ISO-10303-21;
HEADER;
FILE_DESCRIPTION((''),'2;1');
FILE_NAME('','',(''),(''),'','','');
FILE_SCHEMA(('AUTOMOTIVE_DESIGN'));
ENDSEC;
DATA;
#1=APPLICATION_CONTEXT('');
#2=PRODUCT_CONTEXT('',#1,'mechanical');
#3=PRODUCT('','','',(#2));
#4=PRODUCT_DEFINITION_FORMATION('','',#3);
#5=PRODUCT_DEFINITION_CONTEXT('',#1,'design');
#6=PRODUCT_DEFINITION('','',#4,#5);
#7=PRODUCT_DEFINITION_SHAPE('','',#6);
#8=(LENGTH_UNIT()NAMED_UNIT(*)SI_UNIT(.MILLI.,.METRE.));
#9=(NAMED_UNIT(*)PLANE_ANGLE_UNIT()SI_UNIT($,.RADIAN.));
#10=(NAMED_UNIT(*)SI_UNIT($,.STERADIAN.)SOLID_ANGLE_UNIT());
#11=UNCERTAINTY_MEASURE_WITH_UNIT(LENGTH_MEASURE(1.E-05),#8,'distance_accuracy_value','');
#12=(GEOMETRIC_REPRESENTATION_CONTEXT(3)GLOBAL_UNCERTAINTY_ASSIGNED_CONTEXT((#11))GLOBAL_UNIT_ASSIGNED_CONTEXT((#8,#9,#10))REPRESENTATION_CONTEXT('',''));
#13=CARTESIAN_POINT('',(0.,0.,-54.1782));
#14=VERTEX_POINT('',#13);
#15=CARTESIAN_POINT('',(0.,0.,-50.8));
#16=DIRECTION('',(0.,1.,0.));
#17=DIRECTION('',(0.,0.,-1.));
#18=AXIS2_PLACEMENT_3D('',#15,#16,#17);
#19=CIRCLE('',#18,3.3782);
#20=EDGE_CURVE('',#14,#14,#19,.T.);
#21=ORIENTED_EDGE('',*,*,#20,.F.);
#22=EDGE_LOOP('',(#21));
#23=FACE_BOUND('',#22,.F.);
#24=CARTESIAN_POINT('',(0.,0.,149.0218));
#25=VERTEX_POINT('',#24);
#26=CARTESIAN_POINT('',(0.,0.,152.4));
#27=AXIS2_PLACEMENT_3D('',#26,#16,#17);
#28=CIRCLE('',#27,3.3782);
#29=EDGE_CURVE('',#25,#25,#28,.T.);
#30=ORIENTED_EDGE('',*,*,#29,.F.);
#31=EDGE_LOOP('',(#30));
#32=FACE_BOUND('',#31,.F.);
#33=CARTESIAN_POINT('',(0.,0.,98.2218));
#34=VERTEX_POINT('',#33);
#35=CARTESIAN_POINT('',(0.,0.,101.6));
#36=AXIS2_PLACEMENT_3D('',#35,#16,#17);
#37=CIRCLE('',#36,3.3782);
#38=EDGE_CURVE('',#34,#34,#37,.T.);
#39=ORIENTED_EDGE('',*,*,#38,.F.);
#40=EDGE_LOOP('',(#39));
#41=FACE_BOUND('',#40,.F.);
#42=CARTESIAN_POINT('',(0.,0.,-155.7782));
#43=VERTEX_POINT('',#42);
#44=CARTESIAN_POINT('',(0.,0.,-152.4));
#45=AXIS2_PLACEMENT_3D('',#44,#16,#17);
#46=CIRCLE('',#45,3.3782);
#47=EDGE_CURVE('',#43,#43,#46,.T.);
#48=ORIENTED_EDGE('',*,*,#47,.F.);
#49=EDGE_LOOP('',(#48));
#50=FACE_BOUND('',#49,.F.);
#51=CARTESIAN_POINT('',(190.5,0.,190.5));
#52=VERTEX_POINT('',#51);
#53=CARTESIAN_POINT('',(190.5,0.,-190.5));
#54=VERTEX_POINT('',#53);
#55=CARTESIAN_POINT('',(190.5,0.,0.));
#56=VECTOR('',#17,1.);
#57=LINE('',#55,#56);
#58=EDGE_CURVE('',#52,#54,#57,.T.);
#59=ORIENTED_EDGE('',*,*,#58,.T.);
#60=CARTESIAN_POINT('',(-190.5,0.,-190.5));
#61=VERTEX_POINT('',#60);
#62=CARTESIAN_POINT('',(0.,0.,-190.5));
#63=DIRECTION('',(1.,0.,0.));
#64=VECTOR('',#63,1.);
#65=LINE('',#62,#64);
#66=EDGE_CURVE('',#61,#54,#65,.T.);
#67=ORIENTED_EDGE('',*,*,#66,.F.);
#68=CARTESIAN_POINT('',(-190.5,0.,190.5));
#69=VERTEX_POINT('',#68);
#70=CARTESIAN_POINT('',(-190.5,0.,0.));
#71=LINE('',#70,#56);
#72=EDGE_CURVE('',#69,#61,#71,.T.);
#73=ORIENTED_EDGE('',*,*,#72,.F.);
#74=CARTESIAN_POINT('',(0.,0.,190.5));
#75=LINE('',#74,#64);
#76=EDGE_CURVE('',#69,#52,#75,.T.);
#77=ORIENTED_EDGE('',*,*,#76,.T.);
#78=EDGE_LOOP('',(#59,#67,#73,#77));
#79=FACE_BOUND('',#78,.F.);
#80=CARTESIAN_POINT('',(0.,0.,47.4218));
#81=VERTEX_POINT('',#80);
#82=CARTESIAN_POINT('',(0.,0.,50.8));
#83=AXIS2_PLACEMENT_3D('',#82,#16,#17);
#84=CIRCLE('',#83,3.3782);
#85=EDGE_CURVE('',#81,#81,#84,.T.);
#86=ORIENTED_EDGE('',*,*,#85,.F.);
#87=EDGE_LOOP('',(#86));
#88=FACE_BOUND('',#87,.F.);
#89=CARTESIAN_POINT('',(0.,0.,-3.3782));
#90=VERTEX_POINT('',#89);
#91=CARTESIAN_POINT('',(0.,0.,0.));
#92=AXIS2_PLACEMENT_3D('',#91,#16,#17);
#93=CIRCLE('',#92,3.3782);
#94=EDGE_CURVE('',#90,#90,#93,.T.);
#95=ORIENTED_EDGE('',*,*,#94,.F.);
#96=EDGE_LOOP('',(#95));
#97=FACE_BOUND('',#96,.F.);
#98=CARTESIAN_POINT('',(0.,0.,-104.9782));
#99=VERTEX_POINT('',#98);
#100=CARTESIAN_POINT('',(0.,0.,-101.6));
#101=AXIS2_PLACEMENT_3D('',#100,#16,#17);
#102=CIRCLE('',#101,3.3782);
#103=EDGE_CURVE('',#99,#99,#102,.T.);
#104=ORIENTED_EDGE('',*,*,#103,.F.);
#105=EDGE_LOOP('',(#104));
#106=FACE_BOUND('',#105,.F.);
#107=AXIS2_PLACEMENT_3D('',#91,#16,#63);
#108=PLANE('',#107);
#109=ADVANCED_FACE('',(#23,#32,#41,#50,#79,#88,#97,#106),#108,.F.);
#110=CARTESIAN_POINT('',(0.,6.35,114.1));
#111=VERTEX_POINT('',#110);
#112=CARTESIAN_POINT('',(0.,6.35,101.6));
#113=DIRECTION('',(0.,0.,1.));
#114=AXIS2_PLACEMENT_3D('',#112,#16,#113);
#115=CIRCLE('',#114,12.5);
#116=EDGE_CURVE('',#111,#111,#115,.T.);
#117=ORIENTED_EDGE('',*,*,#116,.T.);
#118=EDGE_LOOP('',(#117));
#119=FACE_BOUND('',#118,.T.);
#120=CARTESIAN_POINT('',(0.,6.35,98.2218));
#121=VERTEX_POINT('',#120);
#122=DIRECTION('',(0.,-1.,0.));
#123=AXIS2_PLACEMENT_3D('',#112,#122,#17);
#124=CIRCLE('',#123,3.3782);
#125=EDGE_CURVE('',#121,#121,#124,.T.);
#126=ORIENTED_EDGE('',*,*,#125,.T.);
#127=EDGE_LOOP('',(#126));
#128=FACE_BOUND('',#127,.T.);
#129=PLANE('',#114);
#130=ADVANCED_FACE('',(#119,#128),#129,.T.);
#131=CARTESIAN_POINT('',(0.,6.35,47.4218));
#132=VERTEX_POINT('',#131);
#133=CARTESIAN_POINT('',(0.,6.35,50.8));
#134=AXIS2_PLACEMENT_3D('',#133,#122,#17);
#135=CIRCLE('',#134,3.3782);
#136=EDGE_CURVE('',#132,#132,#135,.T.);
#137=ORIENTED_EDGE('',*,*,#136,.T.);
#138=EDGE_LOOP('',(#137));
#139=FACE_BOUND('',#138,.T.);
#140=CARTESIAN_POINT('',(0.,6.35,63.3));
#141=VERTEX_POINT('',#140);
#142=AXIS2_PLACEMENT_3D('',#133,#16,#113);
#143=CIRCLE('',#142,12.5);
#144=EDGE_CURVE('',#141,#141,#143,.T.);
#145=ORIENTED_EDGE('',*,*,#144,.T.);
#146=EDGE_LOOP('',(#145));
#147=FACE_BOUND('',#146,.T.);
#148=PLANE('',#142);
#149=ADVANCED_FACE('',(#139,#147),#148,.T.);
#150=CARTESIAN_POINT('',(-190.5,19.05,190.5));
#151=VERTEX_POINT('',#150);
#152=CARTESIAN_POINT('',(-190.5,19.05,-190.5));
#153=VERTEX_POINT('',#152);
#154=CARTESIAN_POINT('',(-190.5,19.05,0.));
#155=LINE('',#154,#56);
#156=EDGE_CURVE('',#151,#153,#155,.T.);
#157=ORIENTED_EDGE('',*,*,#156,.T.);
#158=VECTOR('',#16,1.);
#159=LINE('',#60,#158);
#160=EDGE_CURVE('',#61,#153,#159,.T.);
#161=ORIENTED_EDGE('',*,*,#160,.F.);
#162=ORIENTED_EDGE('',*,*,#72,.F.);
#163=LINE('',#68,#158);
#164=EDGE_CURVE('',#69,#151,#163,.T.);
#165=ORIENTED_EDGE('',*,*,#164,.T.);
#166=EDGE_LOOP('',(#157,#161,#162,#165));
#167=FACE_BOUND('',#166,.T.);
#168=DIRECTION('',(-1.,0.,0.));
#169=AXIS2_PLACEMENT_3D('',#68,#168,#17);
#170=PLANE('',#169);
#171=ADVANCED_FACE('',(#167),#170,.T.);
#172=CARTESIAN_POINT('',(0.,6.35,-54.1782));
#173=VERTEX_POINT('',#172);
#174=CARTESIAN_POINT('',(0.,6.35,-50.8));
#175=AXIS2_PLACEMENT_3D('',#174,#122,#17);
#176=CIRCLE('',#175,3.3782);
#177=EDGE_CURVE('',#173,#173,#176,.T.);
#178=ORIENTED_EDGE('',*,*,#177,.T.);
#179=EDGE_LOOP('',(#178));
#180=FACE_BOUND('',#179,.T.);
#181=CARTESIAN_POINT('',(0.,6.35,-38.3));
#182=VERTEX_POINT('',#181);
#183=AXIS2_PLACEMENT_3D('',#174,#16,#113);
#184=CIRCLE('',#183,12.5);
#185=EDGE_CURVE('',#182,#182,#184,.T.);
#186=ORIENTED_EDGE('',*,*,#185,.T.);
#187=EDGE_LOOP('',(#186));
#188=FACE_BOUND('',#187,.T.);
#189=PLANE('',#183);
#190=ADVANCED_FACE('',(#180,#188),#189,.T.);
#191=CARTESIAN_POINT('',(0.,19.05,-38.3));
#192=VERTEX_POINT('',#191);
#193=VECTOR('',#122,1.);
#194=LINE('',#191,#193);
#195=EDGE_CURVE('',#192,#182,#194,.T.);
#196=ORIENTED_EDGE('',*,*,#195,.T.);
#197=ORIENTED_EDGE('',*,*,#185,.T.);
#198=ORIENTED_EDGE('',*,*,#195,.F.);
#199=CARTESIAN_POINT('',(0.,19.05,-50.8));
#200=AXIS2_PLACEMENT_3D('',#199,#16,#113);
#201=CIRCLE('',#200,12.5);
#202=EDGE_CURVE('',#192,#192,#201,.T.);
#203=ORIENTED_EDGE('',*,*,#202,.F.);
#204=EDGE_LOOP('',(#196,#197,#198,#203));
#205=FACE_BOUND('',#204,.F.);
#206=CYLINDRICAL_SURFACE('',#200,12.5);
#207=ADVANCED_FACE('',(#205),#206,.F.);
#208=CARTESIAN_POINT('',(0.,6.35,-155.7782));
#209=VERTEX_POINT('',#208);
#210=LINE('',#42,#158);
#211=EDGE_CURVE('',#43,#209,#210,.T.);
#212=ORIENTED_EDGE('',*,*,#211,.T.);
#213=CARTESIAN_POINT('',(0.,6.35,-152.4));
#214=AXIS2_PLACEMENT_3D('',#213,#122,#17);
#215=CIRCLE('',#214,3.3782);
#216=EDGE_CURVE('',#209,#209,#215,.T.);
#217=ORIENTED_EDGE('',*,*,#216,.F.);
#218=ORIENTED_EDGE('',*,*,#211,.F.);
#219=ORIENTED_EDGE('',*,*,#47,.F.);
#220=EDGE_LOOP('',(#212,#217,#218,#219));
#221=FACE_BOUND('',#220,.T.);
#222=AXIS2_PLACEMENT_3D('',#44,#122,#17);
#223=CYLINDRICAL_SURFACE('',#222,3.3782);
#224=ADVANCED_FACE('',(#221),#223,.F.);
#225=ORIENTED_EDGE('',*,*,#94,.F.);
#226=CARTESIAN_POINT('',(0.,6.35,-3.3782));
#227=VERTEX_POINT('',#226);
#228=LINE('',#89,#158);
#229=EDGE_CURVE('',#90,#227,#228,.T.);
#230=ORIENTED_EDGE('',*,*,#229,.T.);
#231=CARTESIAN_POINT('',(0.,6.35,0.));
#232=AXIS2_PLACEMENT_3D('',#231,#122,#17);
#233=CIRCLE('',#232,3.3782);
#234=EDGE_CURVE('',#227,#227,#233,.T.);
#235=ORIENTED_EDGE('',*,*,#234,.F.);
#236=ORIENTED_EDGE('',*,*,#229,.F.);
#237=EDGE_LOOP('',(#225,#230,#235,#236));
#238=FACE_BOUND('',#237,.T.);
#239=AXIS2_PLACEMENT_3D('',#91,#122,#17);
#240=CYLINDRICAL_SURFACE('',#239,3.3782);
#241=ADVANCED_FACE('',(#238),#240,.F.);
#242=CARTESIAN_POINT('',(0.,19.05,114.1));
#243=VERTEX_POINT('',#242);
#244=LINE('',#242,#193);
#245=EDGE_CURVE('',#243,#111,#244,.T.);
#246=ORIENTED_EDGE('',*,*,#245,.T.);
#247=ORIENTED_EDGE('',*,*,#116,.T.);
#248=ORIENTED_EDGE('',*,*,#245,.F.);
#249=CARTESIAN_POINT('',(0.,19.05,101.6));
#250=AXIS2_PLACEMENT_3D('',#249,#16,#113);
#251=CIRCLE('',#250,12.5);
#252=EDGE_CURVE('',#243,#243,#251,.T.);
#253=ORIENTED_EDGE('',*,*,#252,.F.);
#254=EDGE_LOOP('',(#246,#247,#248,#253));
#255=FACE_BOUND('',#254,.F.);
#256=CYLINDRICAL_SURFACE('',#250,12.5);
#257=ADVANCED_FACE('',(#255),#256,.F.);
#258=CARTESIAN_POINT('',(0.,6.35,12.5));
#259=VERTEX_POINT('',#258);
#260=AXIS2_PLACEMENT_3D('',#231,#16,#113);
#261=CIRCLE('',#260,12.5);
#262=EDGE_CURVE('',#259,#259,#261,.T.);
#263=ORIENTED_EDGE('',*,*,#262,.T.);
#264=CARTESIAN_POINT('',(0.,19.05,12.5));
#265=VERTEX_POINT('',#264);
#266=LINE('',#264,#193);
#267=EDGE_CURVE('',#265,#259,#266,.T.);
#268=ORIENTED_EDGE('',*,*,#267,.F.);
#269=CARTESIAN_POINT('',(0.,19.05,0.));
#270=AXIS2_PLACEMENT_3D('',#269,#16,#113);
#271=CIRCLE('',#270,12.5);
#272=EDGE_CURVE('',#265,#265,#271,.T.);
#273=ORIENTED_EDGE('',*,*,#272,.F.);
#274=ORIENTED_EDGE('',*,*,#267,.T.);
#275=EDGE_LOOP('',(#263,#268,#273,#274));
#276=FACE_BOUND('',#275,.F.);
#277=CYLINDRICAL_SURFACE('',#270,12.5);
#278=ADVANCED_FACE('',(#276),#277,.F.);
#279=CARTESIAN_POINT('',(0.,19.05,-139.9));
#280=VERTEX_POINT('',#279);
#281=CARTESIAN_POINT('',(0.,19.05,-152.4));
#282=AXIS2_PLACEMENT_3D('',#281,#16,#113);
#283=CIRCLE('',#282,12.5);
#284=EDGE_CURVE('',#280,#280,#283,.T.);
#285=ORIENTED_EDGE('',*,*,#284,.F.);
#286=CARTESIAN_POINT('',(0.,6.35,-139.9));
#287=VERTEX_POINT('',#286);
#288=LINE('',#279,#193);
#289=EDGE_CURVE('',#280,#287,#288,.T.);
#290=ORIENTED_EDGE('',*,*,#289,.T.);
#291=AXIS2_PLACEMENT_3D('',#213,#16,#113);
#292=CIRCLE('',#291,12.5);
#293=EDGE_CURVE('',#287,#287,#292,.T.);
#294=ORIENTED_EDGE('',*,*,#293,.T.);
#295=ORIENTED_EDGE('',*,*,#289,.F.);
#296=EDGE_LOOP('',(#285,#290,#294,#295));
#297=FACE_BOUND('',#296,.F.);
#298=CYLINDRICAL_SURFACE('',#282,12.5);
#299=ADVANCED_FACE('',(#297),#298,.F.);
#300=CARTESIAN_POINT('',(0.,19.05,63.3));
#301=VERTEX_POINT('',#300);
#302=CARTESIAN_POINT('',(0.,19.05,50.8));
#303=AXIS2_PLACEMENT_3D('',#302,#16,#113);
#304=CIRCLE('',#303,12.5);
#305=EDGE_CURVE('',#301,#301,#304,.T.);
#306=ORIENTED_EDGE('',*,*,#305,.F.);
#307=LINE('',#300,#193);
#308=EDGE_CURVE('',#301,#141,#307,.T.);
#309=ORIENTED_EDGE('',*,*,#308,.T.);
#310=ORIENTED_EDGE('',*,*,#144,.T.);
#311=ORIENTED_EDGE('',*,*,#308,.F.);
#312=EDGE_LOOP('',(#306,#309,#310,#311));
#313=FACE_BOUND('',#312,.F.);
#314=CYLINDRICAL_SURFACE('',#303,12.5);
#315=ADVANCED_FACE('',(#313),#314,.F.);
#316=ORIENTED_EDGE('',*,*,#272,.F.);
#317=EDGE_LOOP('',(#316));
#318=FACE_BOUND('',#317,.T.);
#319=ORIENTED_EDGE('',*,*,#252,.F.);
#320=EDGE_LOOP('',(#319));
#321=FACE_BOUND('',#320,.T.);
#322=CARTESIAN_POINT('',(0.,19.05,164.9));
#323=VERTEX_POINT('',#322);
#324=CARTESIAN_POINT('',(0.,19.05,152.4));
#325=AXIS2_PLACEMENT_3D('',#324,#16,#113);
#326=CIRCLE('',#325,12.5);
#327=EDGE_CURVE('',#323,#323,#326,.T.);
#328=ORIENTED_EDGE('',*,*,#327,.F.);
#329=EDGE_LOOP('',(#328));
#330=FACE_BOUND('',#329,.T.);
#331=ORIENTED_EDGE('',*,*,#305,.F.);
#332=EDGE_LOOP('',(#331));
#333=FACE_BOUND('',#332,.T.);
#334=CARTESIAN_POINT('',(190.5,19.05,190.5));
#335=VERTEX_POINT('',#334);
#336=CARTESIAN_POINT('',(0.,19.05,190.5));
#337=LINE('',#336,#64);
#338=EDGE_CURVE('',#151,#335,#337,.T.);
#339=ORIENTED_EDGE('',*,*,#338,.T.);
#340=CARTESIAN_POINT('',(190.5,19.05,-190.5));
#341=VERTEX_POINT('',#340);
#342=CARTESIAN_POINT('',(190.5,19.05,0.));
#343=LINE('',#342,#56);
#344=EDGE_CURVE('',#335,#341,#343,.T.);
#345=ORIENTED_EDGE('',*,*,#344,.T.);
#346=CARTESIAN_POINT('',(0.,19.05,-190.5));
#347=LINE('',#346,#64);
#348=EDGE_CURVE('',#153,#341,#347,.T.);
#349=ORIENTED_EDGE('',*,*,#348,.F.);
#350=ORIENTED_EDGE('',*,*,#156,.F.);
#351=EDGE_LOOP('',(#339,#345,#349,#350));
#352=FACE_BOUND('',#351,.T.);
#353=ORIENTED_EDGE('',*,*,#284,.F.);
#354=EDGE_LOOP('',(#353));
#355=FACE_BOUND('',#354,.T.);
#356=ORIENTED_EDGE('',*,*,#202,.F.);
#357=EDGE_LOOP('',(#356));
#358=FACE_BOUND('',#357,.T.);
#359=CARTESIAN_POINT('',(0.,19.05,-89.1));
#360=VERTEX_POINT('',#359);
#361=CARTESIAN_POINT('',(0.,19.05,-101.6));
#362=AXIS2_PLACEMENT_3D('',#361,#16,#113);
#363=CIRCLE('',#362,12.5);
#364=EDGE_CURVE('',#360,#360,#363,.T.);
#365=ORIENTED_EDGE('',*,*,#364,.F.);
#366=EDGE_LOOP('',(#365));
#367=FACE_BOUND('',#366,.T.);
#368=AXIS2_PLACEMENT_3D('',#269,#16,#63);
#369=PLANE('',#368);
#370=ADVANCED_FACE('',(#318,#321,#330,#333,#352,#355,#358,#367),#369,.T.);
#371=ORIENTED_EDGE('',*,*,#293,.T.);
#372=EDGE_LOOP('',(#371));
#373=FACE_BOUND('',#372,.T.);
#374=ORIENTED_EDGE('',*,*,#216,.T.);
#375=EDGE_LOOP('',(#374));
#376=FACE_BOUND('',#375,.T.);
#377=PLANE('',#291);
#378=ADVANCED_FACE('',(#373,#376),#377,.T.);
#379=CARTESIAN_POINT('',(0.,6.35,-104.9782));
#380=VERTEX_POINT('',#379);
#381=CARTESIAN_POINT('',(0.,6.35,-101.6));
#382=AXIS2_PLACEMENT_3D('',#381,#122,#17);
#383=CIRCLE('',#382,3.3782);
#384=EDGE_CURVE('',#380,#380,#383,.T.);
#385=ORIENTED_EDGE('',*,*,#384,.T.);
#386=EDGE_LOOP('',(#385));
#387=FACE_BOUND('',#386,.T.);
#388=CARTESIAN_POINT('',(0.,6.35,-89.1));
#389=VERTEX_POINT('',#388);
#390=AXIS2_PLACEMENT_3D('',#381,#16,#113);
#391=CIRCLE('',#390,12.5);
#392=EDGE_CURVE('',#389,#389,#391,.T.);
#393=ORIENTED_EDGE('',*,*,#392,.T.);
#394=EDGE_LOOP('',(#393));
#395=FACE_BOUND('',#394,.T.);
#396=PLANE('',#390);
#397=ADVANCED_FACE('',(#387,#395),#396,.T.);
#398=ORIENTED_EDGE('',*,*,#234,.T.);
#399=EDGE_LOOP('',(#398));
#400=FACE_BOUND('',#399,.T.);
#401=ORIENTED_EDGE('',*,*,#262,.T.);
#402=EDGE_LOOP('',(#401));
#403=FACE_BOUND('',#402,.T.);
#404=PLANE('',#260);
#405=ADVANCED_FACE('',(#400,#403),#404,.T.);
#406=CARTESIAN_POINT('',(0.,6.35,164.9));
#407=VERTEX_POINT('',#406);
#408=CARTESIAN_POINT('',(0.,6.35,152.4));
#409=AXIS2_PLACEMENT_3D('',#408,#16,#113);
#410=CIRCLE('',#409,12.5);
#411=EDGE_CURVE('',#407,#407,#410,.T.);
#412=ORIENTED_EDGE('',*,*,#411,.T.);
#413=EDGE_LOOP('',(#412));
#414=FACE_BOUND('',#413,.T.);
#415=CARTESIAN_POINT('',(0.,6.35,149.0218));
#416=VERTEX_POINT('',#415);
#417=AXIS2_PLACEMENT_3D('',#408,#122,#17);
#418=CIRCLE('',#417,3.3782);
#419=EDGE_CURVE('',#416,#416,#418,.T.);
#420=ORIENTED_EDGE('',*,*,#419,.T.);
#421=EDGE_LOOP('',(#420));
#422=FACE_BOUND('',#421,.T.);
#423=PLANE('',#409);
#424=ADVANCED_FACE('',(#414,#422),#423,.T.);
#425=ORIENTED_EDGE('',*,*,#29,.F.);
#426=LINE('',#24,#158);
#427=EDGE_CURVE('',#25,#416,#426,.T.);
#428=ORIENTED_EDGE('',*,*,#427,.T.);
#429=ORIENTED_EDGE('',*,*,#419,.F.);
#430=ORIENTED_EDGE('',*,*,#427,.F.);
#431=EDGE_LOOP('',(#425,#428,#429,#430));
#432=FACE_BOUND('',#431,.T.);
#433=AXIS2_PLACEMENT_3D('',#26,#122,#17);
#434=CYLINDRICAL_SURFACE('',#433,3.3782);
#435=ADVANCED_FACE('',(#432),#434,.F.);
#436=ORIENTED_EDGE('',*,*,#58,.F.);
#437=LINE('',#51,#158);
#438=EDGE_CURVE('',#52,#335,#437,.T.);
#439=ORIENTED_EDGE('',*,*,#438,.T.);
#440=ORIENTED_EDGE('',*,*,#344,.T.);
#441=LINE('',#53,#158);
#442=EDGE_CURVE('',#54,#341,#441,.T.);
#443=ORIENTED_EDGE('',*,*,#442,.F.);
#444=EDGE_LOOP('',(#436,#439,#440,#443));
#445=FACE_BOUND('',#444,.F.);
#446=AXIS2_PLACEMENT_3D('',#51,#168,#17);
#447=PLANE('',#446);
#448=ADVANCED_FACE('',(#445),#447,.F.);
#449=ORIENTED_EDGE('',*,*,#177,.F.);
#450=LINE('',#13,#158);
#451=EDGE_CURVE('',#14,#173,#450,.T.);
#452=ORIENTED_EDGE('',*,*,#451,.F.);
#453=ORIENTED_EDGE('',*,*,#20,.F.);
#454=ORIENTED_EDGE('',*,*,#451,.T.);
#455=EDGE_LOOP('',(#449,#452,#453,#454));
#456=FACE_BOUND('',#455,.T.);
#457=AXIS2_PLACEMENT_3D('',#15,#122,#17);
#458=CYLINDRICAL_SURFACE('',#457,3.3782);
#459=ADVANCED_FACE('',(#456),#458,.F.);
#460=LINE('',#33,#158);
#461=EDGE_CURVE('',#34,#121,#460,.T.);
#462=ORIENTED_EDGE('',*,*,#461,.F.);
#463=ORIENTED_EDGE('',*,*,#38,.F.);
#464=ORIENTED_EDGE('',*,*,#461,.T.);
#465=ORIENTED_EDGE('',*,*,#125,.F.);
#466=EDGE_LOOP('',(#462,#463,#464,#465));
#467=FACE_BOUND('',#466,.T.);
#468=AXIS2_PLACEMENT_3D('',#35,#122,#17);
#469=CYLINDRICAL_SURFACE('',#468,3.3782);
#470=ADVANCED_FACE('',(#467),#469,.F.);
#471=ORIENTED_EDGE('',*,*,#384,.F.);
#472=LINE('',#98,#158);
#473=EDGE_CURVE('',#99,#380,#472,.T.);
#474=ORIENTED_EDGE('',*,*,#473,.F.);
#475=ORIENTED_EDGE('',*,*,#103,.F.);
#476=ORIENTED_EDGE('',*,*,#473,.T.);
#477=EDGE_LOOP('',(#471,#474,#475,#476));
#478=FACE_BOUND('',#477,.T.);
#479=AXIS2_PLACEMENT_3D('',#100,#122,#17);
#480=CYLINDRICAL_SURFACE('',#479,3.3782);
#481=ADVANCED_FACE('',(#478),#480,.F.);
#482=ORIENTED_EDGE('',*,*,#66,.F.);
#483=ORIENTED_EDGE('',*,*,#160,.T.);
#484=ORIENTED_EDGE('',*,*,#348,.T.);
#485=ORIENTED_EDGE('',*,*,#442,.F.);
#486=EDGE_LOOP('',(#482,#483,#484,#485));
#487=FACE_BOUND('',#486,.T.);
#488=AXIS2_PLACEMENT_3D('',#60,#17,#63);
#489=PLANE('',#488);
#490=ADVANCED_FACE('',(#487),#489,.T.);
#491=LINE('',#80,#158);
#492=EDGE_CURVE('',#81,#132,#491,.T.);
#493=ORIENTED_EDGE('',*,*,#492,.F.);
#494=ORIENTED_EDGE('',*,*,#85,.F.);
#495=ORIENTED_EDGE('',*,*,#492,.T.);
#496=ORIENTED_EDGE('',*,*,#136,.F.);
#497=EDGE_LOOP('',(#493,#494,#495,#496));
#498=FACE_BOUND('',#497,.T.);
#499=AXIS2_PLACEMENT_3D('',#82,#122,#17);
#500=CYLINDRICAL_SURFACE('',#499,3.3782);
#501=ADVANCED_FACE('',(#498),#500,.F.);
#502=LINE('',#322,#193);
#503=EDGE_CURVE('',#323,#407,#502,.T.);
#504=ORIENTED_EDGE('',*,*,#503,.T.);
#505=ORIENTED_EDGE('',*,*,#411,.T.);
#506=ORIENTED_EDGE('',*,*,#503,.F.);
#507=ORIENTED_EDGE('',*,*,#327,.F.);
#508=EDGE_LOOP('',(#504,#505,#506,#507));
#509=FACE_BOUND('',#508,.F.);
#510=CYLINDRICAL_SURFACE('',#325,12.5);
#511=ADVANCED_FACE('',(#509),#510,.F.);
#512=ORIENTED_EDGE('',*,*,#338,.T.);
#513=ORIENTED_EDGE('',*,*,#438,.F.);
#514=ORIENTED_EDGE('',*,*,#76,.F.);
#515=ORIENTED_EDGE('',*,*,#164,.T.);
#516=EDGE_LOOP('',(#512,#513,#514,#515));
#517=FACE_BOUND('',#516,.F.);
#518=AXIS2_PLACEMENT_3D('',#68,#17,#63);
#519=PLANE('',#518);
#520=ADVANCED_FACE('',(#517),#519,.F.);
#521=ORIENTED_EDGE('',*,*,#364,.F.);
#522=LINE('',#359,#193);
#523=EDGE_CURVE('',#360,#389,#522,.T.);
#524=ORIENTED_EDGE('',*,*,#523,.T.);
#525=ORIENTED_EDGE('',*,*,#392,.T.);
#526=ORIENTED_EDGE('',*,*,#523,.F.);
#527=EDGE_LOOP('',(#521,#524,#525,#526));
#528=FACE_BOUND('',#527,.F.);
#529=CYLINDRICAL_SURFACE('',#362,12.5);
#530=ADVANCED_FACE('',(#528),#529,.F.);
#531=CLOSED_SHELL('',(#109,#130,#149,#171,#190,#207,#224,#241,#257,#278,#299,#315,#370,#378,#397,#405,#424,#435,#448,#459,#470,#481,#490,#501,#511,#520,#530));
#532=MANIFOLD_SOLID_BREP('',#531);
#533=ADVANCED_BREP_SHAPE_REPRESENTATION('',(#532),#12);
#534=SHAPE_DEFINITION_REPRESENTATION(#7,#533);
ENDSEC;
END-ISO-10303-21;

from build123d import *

# Parameters (mm, degrees)
SKETCH2_W         = 381
SKETCH2_H         = 381
SKETCH2_R         = 3.3782
BOLT_HOLES_DEPTH  = 19.05
SKETCH3_R         = 12.5
COUNTERBORE_DEPTH = 12.7


with BuildPart() as part:
    # Sketch2 → Bolt Holes (new body)
    with BuildSketch(Plane(origin=(0, 0, 0), x_dir=(1, 0, 0), z_dir=(0, 1, 0))):
        Rectangle(SKETCH2_W, SKETCH2_H)
        with Locations(Location((0, 0, 0), (0, 0, 90))):
            Circle(SKETCH2_R, mode=Mode.SUBTRACT)
        with Locations(Location((0, 50.8, 0), (0, 0, 90))):
            Circle(SKETCH2_R, mode=Mode.SUBTRACT)
        with Locations(Location((0, 101.6, 0), (0, 0, 90))):
            Circle(SKETCH2_R, mode=Mode.SUBTRACT)
        with Locations(Location((0, 152.4, 0), (0, 0, 90))):
            Circle(SKETCH2_R, mode=Mode.SUBTRACT)
        with Locations(Location((0, -50.8, 0), (0, 0, 90))):
            Circle(SKETCH2_R, mode=Mode.SUBTRACT)
        with Locations(Location((0, -101.6, 0), (0, 0, 90))):
            Circle(SKETCH2_R, mode=Mode.SUBTRACT)
        with Locations(Location((0, -152.4, 0), (0, 0, 90))):
            Circle(SKETCH2_R, mode=Mode.SUBTRACT)
    extrude(amount=BOLT_HOLES_DEPTH)

    # Sketch3 → Counterbore (cut)
    with BuildSketch(Plane(origin=(0, 19.05, 0), x_dir=(1, 0, 0), z_dir=(0, 1, 0))):
        with Locations(Location((0, -50.8, 0), (0, 0, 270))):
            Circle(SKETCH3_R)
        with Locations(Location((0, 0, 0), (0, 0, 270))):
            Circle(SKETCH3_R)
        with Locations(Location((0, -101.6, 0), (0, 0, 270))):
            Circle(SKETCH3_R)
        with Locations(Location((0, 50.8, 0), (0, 0, 270))):
            Circle(SKETCH3_R)
        with Locations(Location((0, 101.6, 0), (0, 0, 270))):
            Circle(SKETCH3_R)
        with Locations(Location((0, 152.4, 0), (0, 0, 270))):
            Circle(SKETCH3_R)
        with Locations(Location((0, -152.4, 0), (0, 0, 270))):
            Circle(SKETCH3_R)
    extrude(amount=-COUNTERBORE_DEPTH, mode=Mode.SUBTRACT)


solid = part.part
